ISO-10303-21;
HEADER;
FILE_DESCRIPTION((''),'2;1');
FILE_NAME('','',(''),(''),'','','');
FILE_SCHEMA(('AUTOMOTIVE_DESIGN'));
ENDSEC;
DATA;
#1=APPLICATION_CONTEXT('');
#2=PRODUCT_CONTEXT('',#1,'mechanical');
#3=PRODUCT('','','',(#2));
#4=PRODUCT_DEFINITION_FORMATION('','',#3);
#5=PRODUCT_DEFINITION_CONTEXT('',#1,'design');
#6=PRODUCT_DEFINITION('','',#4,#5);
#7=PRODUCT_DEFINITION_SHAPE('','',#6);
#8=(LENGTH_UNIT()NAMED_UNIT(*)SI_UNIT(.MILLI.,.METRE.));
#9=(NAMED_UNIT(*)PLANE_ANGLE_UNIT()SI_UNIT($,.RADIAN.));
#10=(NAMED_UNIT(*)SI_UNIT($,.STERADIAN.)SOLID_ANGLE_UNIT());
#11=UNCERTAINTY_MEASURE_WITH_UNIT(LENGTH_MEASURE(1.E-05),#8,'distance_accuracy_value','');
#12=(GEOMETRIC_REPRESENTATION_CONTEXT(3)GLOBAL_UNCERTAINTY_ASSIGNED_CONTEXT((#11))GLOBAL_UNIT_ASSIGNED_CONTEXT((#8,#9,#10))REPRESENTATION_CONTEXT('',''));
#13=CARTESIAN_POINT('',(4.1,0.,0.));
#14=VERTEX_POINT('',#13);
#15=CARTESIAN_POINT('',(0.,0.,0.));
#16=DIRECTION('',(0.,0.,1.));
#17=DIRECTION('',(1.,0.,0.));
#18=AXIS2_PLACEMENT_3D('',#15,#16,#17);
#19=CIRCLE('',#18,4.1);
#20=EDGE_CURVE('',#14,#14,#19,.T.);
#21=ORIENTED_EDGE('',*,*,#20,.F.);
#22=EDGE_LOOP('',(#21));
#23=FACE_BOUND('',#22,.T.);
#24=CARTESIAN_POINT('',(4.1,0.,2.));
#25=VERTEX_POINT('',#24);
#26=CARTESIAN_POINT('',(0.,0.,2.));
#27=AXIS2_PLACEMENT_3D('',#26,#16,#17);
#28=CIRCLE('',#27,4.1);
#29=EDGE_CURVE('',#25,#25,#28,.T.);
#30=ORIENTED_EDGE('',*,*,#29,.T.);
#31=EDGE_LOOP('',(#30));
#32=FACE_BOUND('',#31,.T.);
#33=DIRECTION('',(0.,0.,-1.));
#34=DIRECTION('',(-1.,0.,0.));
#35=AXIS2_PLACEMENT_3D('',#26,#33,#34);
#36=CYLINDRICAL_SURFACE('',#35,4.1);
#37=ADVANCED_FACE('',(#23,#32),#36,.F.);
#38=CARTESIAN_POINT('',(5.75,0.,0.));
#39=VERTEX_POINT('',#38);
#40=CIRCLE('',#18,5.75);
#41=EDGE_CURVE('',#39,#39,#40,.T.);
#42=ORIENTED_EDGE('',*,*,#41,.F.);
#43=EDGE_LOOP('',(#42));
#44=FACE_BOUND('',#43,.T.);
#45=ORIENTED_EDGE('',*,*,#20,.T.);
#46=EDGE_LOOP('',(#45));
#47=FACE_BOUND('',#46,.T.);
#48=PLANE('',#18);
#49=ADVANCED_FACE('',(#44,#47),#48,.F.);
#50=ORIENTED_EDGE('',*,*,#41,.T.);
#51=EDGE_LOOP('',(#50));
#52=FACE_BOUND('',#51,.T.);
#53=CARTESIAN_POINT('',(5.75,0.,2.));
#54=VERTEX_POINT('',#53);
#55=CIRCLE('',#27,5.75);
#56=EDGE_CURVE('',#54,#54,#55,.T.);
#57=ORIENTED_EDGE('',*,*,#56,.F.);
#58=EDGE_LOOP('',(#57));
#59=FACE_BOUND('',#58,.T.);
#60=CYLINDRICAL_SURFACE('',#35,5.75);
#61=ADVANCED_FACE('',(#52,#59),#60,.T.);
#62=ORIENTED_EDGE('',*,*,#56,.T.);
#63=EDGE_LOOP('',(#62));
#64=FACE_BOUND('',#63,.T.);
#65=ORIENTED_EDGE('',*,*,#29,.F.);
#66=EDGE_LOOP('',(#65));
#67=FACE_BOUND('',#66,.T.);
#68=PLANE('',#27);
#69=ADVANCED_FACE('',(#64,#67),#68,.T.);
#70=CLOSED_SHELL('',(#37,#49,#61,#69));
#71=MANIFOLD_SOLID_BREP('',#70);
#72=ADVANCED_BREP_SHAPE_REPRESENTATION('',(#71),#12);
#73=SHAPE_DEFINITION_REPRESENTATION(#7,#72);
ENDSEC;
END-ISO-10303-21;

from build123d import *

# Parameters (mm, degrees)
SKETCH1_R    = 5.75
SKETCH1_R_2  = 4.1
SPACER_DEPTH = 2


with BuildPart() as part:
    # Sketch1 → Spacer (new body)
    with BuildSketch(Plane.XY):
        Circle(SKETCH1_R)
        Circle(SKETCH1_R_2, mode=Mode.SUBTRACT)
    extrude(amount=SPACER_DEPTH)


solid = part.part
